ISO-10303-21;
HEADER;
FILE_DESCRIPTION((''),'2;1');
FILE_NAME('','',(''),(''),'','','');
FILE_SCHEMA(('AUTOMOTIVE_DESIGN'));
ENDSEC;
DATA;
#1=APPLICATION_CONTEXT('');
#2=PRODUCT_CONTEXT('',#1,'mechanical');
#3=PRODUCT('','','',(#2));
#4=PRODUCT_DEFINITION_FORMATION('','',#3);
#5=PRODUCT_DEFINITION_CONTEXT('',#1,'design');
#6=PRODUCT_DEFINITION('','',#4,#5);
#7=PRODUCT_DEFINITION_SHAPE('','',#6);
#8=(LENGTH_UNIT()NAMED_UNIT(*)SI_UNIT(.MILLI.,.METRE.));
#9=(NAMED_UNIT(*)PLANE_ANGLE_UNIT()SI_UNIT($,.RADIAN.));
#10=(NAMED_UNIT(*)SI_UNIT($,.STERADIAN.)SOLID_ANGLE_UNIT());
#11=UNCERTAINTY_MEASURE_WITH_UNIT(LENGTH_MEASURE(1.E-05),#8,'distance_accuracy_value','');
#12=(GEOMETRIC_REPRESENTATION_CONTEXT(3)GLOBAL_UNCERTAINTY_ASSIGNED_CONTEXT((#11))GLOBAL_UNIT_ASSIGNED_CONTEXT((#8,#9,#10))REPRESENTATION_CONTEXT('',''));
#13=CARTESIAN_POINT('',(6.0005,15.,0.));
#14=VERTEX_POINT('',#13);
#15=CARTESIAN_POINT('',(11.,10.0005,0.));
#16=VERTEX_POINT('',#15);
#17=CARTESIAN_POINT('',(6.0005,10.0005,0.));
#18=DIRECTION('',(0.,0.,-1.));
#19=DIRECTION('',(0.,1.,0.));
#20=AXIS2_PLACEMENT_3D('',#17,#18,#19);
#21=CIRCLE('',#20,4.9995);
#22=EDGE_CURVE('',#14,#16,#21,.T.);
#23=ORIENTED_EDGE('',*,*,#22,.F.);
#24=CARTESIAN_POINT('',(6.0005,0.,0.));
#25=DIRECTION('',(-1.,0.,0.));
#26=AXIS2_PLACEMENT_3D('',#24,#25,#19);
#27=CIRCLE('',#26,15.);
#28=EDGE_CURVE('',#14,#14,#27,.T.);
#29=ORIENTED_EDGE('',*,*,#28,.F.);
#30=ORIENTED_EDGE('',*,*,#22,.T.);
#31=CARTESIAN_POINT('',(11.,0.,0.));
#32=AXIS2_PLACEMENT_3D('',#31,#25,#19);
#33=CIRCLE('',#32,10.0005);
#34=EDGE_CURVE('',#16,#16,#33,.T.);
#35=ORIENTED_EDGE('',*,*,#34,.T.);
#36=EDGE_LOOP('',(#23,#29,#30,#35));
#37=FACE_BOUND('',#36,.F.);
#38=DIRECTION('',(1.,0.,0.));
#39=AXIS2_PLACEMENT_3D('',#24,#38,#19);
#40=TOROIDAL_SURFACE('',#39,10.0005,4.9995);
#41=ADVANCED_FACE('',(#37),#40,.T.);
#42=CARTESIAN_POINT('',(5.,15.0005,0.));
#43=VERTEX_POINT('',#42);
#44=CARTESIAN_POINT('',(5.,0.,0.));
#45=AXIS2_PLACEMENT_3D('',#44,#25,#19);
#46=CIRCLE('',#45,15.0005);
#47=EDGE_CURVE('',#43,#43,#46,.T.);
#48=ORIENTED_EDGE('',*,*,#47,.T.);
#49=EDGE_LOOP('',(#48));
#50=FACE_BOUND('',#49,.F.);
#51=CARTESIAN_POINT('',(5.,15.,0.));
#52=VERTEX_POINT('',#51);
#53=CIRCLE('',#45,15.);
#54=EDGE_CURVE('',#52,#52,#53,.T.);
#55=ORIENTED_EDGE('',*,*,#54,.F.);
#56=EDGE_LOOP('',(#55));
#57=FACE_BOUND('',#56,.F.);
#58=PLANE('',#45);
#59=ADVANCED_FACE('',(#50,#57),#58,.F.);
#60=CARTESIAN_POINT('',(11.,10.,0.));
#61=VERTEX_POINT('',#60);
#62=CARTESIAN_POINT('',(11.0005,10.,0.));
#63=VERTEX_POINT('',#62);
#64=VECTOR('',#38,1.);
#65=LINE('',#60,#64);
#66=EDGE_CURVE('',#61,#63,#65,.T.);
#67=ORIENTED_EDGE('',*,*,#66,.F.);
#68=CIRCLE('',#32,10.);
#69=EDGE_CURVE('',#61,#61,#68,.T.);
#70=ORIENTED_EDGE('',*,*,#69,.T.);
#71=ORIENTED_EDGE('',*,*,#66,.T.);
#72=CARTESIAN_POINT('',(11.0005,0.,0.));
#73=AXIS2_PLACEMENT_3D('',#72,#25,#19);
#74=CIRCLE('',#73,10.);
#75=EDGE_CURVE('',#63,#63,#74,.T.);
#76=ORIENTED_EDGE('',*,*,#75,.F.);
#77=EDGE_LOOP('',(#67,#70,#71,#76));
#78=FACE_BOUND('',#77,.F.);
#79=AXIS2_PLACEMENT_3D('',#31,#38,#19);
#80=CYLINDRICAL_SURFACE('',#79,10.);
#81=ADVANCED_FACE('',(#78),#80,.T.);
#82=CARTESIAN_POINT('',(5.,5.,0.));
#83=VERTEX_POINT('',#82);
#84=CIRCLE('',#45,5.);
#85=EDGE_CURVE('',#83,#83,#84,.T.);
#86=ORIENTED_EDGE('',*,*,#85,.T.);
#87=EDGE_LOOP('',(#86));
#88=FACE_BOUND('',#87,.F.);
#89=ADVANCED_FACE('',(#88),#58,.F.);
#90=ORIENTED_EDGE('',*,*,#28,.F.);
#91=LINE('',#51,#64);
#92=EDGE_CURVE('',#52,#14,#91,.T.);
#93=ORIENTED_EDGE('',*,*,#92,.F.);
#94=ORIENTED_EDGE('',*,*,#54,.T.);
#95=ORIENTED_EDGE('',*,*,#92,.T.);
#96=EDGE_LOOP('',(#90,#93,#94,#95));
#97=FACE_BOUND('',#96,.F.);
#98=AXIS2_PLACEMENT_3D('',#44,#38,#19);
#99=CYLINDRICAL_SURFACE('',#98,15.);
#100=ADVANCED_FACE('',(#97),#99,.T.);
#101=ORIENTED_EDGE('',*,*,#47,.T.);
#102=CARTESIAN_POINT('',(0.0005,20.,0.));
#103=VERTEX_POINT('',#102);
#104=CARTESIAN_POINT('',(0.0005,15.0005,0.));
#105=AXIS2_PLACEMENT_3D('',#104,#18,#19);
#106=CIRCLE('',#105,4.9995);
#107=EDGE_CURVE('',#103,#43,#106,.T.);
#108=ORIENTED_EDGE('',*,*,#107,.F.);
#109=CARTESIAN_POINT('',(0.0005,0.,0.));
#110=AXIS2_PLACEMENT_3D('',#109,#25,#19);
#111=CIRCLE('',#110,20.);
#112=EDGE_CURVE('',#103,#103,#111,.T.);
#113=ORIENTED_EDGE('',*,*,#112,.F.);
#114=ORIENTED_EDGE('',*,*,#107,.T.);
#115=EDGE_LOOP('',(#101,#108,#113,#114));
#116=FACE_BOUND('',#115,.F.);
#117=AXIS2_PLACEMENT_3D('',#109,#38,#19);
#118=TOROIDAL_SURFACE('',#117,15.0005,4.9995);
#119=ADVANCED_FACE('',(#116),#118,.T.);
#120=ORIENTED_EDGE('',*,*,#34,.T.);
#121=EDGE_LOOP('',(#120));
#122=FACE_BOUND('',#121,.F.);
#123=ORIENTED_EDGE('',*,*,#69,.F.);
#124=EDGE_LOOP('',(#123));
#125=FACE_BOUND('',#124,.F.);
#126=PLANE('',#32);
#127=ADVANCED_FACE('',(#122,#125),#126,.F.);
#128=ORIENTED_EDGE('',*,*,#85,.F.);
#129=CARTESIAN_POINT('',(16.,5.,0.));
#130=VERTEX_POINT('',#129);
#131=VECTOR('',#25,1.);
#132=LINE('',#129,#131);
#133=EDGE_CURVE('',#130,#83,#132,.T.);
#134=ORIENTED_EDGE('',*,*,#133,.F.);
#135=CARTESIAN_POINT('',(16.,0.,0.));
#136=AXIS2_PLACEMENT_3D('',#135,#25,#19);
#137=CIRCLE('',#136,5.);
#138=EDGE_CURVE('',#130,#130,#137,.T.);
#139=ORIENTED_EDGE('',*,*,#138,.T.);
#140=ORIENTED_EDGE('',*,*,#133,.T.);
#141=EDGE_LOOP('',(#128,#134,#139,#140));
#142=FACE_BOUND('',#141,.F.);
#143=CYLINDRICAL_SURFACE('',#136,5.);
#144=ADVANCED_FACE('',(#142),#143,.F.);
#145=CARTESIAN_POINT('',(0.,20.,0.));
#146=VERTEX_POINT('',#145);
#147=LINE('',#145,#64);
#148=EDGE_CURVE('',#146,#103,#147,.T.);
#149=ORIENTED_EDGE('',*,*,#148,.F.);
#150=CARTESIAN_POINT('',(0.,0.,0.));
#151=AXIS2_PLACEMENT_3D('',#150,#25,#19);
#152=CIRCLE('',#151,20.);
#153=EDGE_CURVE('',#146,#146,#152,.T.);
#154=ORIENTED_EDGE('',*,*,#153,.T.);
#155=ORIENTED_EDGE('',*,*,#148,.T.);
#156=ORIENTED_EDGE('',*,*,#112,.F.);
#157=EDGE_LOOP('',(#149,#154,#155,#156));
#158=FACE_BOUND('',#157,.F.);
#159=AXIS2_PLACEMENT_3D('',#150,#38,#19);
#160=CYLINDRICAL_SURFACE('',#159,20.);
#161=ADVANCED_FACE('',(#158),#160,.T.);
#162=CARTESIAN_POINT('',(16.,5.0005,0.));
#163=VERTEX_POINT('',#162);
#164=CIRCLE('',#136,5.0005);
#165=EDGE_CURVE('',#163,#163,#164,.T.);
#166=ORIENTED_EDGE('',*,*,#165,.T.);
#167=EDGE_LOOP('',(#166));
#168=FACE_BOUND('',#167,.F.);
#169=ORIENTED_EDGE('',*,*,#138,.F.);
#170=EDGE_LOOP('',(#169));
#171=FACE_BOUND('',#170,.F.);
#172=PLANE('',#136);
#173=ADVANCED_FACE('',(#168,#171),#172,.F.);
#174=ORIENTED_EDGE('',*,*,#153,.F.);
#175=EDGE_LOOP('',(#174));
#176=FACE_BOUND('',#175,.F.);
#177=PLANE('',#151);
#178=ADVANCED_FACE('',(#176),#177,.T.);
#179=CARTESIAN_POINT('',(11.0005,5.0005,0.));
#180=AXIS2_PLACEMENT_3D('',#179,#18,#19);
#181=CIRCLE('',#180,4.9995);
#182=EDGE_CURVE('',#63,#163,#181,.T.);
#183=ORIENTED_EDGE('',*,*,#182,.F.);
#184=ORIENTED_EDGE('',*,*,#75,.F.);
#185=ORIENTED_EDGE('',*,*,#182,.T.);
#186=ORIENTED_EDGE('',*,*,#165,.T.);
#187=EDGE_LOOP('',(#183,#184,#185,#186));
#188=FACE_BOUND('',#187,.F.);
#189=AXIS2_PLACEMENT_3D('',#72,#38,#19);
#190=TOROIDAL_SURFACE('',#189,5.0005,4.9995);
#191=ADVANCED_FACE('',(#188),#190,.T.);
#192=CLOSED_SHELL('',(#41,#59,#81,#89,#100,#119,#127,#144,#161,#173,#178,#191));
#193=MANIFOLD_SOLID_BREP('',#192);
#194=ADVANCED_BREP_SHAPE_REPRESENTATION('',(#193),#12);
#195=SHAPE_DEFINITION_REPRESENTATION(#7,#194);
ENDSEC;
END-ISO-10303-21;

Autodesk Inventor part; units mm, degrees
ref_plane "YZ Plane" through (0, 0, 0) normal (1, 0, 0) x (0, 1, 0)
ref_plane "XZ Plane" through (0, 0, 0) normal (0, 1, 0) x (-1, 0, 0)
ref_plane "XY Plane" through (0, 0, 0) normal (0, 0, 1) x (1, 0, 0)
sketch "Sketch1" plane through (0, 0, 0) normal (0, 0, 1) x (1, 0, 0)
  line L0 (0, 0) -> (0, 20)
  line L1 (0, 20) -> (5, 20)
  line L2 (5, 20) -> (5, 15)
  line L3 (5, 15) -> (11, 15)
  line L4 (11, 15) -> (11, 10)
  line L5 (11, 10) -> (16, 10)
  line L6 (16, 10) -> (16, 5)
  line L7 (16, 5) -> (5, 5)
  line L8 (5, 5) -> (5, 0)
  line L9 (5, 0) -> (0, 0)
  dimension "d0" = 20
  dimension "d1" = 5
  dimension "d2" = 15
  dimension "d3" = 6
  dimension "d4" = 10
  dimension "d5" = 5
  dimension "d6" = 5
  dimension "d7" = 5
revolve "Revolution1" add sketch "Sketch1" angle 360 about axis through (5, 0, 0) along (-1, 0, 0)
fillet "Fillet1" radius 5 3 edges at (5, -20, 0) (11, -15, 0) (16, -10, 0)
properties part number "head"
